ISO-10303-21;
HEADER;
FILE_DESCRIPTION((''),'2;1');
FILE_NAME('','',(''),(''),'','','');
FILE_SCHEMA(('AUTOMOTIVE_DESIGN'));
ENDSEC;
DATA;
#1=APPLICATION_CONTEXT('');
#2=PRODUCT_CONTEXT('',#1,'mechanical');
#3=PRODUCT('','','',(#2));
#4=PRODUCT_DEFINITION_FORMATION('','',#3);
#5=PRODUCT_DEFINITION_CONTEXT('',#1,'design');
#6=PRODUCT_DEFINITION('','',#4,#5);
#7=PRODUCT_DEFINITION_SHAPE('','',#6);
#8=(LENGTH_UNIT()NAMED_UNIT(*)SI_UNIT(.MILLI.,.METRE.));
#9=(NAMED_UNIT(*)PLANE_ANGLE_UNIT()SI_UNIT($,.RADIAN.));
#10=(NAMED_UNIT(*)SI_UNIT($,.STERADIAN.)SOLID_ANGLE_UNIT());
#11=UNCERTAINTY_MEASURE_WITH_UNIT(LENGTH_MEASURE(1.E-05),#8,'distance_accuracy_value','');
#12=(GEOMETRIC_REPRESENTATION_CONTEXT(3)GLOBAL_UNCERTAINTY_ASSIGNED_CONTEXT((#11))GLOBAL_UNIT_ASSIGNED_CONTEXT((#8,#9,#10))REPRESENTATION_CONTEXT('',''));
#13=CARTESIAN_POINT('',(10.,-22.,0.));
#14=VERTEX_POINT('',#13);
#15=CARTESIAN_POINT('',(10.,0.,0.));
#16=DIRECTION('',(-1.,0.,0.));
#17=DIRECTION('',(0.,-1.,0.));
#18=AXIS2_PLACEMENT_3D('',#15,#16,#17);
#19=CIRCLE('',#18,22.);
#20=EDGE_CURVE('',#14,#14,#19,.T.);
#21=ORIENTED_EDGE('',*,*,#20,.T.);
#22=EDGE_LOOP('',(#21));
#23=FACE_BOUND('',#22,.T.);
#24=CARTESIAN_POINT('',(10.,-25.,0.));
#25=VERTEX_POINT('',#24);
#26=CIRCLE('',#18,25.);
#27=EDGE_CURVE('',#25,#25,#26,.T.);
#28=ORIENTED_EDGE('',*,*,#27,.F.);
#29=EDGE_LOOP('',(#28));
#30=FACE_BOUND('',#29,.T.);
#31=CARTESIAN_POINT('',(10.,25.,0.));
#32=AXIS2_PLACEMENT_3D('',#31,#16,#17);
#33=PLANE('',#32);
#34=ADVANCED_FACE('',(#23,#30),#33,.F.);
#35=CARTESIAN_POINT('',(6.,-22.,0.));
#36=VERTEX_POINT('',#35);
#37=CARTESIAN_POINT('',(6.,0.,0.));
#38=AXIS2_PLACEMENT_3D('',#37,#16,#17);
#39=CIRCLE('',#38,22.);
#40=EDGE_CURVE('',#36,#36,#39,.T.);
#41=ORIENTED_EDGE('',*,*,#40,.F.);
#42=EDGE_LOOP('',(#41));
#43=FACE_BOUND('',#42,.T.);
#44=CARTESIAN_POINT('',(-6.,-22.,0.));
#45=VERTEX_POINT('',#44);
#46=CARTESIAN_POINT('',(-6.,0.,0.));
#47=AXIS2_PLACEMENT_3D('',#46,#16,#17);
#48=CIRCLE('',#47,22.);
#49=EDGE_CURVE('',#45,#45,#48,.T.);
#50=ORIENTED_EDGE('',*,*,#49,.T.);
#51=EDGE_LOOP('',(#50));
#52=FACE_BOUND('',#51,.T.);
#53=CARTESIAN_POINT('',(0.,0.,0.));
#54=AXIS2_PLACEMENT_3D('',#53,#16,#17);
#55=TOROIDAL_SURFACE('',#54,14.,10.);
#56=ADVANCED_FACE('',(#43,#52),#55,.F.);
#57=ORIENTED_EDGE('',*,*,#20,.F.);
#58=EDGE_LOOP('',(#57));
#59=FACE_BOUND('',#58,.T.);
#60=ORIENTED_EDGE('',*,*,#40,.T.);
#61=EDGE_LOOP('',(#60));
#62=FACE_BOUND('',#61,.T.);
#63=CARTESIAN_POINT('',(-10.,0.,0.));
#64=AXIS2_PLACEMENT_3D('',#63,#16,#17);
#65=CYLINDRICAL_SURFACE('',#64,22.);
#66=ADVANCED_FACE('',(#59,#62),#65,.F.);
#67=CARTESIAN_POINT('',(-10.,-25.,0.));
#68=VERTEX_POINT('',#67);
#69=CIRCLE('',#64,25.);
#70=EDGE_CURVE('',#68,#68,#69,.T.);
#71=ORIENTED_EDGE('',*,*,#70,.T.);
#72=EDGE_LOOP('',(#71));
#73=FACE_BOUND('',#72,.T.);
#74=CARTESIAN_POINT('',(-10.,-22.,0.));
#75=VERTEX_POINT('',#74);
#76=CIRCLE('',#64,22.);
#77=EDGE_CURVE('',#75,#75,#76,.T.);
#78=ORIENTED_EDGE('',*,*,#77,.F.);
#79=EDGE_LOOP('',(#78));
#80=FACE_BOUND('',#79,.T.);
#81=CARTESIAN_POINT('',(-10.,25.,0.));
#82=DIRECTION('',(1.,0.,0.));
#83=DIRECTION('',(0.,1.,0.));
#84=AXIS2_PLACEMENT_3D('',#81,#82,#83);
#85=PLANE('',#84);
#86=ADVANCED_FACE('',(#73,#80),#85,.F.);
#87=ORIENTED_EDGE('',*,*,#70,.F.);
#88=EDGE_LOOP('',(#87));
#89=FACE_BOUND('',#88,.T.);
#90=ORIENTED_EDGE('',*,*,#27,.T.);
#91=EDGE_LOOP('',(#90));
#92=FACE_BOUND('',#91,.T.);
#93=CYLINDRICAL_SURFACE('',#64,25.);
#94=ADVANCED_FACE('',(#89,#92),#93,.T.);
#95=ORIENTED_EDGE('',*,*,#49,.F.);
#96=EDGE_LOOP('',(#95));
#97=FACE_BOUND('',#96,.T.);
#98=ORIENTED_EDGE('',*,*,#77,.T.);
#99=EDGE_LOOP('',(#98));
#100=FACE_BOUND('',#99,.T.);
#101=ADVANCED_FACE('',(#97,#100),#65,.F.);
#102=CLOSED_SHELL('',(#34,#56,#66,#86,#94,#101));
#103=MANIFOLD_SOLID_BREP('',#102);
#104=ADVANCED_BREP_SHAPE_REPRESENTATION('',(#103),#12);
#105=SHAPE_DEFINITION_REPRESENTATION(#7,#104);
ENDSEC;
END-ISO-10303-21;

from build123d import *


with BuildPart() as part:
    # Sketch2 → Revolve1 (revolve)
    with BuildSketch(Plane.XY, mode=Mode.PRIVATE) as revolve1_sk:
        with BuildLine():
            Line((10, 25), (-10, 25))
            Line((-10, 25), (-10, 22))
            Line((-10, 22), (-6, 22))
            ThreePointArc((-6, 22), (0, 24), (6, 22))
            Line((6, 22), (10, 22))
            Line((10, 22), (10, 25))
        make_face()
    revolve(revolve1_sk.sketch.rotate(Axis((-10, 0, 0), (1, 0, 0)), 180), axis=Axis((-10, 0, 0), (1, 0, 0)))


solid = part.part
